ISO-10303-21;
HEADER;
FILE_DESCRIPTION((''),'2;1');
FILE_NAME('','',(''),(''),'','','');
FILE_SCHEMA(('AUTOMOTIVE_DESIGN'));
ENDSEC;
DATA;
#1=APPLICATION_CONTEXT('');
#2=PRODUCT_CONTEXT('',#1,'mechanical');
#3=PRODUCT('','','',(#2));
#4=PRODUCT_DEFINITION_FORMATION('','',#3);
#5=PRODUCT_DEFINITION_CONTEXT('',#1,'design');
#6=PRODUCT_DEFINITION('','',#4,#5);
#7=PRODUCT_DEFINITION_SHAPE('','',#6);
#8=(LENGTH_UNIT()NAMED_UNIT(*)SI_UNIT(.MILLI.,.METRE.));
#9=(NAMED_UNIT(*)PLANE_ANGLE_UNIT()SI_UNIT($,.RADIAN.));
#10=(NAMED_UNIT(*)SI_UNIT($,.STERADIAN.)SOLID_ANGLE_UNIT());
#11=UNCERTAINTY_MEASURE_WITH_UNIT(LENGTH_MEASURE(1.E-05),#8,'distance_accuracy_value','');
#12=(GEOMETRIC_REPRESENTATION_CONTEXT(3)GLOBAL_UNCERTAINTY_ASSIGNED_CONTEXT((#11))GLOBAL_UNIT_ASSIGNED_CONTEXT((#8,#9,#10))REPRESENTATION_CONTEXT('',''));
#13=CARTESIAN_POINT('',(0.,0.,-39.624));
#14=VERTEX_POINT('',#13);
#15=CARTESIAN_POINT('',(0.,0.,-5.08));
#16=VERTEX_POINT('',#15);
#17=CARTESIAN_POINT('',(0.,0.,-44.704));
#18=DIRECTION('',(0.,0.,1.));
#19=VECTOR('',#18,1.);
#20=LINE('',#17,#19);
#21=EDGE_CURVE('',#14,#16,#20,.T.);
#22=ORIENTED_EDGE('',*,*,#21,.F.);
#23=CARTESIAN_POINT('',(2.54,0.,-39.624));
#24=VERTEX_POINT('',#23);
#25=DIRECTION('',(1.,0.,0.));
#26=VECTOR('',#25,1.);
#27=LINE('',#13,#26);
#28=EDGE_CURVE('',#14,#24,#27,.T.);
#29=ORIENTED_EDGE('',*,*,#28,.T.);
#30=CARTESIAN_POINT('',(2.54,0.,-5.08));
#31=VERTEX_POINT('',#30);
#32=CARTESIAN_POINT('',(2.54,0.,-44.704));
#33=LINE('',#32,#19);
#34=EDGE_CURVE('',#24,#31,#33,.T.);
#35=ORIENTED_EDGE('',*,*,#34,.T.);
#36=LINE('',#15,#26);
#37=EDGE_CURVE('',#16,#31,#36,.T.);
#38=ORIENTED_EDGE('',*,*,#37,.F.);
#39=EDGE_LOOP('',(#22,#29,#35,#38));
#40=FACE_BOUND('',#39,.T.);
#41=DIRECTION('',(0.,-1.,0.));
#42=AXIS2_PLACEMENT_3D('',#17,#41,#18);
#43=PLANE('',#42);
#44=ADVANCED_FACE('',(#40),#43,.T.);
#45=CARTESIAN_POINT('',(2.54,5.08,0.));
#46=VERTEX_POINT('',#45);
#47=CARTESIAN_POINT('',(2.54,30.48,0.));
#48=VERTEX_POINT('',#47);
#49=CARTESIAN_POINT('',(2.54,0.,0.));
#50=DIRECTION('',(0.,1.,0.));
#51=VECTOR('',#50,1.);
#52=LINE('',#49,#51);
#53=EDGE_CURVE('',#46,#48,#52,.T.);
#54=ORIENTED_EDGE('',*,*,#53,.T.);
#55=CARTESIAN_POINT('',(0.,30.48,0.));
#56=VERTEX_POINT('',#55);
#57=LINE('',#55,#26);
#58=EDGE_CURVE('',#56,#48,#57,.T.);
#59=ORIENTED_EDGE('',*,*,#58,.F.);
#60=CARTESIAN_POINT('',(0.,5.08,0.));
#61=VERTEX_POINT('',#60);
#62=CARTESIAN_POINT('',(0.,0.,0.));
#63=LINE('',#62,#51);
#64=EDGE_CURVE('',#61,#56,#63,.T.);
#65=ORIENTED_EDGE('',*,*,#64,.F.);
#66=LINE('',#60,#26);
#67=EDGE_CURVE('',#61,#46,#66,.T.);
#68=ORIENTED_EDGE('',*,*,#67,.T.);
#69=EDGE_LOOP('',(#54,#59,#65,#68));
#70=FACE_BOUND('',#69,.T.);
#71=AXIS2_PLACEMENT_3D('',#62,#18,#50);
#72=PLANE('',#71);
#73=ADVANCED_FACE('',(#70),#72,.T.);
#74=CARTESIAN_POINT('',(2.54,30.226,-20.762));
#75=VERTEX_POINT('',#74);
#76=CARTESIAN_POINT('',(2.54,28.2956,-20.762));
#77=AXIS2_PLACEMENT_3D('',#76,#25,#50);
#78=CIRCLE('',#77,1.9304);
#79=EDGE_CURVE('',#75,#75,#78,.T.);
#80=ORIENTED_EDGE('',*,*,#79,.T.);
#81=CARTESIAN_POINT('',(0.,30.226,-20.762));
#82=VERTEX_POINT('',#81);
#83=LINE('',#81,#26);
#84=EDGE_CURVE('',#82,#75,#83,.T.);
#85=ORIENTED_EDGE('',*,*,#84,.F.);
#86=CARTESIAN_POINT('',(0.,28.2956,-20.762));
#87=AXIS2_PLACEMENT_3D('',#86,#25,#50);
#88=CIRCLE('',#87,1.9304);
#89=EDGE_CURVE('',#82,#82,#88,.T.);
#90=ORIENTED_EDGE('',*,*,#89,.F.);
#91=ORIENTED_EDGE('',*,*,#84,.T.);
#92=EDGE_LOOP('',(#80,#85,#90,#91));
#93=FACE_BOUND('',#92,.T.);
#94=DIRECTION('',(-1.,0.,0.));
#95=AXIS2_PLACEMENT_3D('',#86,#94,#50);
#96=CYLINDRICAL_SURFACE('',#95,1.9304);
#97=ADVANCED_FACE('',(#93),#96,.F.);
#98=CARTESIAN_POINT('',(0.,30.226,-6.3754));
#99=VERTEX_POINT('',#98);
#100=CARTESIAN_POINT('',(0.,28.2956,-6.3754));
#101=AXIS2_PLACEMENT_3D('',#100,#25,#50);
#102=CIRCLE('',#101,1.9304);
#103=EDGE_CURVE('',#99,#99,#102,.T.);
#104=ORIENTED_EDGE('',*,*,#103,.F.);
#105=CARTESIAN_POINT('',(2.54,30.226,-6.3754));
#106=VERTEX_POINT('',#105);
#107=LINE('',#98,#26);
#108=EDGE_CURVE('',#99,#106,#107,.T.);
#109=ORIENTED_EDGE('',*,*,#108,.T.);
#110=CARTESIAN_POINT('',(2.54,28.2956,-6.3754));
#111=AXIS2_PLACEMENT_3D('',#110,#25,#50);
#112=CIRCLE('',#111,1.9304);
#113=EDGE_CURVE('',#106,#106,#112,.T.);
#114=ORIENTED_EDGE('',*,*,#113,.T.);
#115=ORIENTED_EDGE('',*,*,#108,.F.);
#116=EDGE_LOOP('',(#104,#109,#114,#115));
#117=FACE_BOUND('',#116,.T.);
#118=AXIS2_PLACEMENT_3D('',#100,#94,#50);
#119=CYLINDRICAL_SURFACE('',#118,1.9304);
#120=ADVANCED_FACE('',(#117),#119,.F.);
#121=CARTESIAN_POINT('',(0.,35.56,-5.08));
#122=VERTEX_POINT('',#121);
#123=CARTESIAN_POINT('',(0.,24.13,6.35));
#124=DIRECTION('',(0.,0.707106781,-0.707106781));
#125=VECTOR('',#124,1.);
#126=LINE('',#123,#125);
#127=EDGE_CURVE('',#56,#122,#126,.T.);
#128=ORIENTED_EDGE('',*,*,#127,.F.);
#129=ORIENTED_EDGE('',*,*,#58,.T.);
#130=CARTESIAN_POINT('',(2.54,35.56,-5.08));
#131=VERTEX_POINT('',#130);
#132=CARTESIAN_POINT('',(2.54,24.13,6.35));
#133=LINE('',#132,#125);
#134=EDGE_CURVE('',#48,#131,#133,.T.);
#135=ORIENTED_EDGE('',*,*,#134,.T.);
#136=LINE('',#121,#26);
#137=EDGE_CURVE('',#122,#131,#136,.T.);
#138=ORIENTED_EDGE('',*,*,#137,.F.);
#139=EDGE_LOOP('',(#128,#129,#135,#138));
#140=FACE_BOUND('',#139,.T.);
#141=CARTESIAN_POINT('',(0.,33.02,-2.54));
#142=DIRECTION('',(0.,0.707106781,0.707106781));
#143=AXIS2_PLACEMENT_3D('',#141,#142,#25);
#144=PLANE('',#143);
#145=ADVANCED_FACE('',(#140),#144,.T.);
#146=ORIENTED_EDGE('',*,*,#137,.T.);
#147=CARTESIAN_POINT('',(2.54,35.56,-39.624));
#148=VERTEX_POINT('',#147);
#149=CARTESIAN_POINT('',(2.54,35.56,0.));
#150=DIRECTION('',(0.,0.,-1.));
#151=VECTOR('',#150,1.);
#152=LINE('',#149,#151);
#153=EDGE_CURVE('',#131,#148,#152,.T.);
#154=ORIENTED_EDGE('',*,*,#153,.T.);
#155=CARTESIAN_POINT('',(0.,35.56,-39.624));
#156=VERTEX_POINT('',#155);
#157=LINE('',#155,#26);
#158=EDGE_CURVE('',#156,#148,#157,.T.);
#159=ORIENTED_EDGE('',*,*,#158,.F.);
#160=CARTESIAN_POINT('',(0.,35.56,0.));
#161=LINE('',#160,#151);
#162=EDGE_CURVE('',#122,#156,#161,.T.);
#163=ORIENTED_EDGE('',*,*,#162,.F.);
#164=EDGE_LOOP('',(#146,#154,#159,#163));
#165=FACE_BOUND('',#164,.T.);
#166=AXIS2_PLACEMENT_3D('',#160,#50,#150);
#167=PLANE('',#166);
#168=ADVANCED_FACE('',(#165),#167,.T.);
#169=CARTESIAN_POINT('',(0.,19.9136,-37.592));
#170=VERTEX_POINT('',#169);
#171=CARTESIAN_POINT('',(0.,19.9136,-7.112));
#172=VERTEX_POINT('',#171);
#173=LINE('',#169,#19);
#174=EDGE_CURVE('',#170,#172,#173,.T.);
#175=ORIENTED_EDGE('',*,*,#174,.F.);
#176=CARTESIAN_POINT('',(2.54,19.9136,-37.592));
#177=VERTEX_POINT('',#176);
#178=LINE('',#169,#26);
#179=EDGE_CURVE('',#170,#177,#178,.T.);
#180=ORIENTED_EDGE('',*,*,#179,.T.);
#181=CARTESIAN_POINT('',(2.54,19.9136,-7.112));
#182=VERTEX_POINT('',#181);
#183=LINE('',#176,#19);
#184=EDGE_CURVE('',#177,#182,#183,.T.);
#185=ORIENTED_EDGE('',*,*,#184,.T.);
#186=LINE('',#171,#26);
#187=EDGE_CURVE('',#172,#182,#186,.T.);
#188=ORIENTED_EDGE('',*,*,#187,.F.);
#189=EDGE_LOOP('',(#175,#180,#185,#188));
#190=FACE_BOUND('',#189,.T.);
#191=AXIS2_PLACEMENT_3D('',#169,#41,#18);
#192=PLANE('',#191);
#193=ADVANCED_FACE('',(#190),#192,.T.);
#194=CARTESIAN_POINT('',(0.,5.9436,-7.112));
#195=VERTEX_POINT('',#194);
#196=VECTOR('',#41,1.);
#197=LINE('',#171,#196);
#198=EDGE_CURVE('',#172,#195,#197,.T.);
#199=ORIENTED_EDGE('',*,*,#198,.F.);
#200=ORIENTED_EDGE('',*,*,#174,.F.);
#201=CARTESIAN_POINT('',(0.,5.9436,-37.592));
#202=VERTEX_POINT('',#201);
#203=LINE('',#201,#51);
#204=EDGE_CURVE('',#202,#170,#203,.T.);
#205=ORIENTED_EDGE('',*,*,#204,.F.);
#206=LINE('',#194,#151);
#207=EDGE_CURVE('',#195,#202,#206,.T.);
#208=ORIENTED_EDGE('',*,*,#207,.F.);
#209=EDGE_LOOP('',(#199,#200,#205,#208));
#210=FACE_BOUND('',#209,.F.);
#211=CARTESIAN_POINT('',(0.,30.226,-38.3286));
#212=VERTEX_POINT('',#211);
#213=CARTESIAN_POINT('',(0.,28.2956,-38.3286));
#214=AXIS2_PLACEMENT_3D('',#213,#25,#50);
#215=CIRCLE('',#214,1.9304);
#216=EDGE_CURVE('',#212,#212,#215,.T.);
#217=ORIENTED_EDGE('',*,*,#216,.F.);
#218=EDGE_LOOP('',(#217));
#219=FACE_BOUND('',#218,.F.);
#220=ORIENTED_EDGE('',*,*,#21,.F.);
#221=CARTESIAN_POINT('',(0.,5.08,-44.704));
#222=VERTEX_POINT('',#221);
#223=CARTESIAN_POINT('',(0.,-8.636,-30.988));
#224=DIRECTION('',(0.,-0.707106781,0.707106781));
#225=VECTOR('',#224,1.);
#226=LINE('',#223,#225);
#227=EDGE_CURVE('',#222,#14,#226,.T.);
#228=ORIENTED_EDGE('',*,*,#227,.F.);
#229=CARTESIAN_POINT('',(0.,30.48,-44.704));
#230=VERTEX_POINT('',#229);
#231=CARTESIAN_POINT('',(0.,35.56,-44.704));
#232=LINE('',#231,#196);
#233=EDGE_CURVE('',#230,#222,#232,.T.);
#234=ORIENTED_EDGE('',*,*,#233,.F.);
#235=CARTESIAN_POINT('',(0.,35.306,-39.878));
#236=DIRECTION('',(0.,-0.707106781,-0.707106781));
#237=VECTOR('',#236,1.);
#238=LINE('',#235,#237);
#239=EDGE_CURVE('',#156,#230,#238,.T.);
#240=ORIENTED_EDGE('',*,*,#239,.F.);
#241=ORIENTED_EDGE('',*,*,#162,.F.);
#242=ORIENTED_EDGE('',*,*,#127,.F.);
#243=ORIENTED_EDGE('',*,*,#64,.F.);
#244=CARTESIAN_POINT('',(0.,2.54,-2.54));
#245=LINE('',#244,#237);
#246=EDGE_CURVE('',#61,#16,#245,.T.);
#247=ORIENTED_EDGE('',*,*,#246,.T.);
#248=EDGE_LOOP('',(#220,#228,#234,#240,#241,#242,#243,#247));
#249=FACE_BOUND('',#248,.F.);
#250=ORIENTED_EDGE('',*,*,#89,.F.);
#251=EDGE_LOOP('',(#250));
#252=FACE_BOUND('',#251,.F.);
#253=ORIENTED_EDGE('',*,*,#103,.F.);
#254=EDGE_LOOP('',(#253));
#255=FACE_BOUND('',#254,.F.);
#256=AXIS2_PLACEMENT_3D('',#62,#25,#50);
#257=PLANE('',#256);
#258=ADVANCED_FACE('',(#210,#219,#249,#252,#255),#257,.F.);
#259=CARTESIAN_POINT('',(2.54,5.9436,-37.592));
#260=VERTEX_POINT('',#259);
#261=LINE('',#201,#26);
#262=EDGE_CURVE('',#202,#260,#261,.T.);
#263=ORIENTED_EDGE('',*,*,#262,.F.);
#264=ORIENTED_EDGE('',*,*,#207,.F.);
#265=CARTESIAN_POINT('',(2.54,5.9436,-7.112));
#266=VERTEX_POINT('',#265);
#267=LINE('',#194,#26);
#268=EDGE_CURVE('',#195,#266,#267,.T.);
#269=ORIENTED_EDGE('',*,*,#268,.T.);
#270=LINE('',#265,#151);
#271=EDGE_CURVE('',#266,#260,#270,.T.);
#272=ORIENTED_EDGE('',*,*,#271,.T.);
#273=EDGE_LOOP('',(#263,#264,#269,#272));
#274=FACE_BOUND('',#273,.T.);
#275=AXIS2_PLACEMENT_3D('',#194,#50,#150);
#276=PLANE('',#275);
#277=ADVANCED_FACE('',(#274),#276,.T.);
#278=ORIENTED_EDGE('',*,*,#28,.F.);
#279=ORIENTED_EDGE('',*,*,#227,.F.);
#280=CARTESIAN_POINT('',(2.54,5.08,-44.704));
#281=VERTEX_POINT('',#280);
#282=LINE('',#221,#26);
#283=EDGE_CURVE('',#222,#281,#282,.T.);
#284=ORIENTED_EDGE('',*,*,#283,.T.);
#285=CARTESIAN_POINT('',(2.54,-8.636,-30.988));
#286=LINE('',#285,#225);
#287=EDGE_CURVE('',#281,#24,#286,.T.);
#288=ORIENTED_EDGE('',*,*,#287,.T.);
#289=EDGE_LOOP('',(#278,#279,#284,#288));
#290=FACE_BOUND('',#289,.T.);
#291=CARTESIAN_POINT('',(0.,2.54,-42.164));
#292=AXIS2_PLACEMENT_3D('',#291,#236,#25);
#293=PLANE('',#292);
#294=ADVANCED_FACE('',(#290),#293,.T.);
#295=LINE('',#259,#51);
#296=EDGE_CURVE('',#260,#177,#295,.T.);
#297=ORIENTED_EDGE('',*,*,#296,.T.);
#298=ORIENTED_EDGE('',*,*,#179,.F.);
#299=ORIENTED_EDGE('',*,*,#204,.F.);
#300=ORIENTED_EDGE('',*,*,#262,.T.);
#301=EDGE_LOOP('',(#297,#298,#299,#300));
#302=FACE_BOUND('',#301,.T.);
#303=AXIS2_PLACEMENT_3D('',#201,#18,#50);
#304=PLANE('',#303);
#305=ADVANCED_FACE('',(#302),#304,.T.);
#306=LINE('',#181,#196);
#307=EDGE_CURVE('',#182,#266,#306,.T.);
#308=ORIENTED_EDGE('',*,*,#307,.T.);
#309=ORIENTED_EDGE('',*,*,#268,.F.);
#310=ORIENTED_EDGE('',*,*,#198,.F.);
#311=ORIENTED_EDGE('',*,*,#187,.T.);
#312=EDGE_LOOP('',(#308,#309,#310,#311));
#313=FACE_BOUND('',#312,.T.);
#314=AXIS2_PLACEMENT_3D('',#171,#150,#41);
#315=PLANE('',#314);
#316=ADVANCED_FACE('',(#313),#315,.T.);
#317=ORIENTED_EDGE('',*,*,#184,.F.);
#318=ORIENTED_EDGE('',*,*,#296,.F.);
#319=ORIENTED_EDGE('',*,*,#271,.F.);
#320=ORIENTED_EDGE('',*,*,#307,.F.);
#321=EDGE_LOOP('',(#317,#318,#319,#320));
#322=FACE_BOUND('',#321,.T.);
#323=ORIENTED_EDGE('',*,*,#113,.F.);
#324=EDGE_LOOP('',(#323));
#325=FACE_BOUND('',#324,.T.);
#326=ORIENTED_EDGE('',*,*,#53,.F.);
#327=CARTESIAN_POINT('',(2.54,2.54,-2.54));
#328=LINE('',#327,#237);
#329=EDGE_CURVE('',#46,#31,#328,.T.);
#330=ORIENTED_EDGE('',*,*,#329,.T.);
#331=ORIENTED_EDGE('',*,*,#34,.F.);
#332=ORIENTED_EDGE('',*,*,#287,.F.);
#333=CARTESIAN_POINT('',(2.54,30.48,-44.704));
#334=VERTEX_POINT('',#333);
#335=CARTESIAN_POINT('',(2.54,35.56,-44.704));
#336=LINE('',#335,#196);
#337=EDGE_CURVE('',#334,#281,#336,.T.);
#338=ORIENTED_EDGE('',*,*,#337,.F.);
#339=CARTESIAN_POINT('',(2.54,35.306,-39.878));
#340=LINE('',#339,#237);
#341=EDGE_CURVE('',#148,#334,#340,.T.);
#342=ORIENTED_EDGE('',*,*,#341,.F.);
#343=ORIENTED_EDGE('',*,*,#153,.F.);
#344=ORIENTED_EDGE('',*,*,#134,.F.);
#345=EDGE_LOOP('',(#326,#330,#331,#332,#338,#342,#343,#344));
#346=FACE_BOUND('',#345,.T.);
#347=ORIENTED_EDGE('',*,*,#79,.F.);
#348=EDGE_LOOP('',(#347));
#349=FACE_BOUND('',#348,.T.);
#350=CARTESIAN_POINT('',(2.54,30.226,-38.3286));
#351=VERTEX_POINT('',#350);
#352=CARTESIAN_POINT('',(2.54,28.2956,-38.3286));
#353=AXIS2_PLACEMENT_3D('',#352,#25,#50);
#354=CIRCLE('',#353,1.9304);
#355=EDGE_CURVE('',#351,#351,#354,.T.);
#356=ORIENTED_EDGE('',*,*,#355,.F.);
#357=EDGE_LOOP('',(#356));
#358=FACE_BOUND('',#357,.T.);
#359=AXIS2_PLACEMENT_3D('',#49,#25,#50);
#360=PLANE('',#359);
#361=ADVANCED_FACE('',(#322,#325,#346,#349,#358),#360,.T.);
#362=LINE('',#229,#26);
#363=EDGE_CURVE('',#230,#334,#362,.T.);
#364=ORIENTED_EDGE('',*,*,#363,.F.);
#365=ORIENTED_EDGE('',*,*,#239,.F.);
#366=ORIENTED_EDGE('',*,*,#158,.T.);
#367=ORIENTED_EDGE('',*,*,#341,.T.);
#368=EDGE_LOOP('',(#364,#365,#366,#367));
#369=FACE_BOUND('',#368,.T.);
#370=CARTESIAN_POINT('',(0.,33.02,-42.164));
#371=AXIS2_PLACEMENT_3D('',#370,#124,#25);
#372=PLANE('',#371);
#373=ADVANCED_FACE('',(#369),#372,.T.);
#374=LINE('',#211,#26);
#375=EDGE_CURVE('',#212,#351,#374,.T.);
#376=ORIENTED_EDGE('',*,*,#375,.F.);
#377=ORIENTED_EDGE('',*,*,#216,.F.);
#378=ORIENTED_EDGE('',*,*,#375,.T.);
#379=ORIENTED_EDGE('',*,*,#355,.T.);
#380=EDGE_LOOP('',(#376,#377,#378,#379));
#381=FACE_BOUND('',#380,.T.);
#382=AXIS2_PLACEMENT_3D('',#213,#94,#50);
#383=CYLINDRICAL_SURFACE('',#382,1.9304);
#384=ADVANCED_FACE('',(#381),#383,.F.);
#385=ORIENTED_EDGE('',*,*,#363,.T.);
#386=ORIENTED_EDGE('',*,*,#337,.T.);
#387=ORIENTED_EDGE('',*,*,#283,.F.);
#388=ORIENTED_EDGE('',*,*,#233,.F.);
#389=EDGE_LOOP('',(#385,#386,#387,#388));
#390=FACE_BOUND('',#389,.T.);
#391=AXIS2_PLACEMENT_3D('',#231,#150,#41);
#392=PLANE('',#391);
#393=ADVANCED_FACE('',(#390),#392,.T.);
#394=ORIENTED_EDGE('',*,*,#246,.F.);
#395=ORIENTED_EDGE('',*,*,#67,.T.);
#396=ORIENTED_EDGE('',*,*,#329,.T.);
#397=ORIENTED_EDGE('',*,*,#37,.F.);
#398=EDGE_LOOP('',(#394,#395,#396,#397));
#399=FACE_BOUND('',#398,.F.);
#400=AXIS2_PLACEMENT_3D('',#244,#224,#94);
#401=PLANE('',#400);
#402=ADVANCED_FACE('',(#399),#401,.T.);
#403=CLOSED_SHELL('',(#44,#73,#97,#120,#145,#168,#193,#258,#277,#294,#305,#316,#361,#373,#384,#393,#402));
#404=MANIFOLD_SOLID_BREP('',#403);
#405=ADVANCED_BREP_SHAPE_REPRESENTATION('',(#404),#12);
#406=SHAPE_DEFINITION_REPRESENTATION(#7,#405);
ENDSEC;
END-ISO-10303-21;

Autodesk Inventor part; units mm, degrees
ref_plane "YZ Plane" through (0, 0, 0) normal (1, 0, 0) x (0, 1, 0)
ref_plane "XZ Plane" through (0, 0, 0) normal (0, 1, 0) x (-1, 0, 0)
ref_plane "XY Plane" through (0, 0, 0) normal (0, 0, 1) x (1, 0, 0)
sketch "Sketch1" plane through (0, 0, 0) normal (1, 0, 0) x (0, 1, 0)
  line L0 (0, 0) -> (35.56, 0)
  line L1 (35.56, 0) -> (35.56, -44.704)
  line L2 (35.56, -44.704) -> (0, -44.704)
  line L3 (0, -44.704) -> (0, 0)
  circle A0 centre (28.2956, -38.3286) radius 1.9304
  circle A1 centre (28.2956, -6.3754) radius 1.9304
  circle A2 centre (28.2956, -20.762) radius 1.9304
  line L4 (19.9136, -7.112) -> (5.9436, -7.112)
  line L5 (5.9436, -7.112) -> (5.9436, -37.592)
  line L6 (5.9436, -37.592) -> (19.9136, -37.592)
  line L7 (19.9136, -37.592) -> (19.9136, -7.112)
  dimension "d0" = 35.56
  dimension "d1" = 44.704
  dimension "d2" = 3.8608
  dimension "d3" = 3.8608
  dimension "d4" = 3.8608
  dimension "d5" = 6.3754
  dimension "d6" = 6.3754
  dimension "d7" = 7.2644
  dimension "d8" = 7.2644
  dimension "d9" = 7.2644
  dimension "d10" = 13.97
  dimension "d11" = 30.48
  dimension "d12" = 15.6464
  dimension "d13" = 7.112
extrude "Extrusion1" add sketch "Sketch1" along normal blind 2.54
chamfer "Chamfer1" distance 5.08 angle 45 4 edges at (1.27, 35.56, 0) (1.27, 0, 0) (1.27, 35.56, -44.704) (1.27, 0, -44.704)
equation "\"d6\" = d5"
equation "\"d8\" = d7"
equation "\"d9\" = d7"
equation "\"d13\" = -0.5 * d11 + 0.5 * d1"
properties part number "PowerSwitch"
